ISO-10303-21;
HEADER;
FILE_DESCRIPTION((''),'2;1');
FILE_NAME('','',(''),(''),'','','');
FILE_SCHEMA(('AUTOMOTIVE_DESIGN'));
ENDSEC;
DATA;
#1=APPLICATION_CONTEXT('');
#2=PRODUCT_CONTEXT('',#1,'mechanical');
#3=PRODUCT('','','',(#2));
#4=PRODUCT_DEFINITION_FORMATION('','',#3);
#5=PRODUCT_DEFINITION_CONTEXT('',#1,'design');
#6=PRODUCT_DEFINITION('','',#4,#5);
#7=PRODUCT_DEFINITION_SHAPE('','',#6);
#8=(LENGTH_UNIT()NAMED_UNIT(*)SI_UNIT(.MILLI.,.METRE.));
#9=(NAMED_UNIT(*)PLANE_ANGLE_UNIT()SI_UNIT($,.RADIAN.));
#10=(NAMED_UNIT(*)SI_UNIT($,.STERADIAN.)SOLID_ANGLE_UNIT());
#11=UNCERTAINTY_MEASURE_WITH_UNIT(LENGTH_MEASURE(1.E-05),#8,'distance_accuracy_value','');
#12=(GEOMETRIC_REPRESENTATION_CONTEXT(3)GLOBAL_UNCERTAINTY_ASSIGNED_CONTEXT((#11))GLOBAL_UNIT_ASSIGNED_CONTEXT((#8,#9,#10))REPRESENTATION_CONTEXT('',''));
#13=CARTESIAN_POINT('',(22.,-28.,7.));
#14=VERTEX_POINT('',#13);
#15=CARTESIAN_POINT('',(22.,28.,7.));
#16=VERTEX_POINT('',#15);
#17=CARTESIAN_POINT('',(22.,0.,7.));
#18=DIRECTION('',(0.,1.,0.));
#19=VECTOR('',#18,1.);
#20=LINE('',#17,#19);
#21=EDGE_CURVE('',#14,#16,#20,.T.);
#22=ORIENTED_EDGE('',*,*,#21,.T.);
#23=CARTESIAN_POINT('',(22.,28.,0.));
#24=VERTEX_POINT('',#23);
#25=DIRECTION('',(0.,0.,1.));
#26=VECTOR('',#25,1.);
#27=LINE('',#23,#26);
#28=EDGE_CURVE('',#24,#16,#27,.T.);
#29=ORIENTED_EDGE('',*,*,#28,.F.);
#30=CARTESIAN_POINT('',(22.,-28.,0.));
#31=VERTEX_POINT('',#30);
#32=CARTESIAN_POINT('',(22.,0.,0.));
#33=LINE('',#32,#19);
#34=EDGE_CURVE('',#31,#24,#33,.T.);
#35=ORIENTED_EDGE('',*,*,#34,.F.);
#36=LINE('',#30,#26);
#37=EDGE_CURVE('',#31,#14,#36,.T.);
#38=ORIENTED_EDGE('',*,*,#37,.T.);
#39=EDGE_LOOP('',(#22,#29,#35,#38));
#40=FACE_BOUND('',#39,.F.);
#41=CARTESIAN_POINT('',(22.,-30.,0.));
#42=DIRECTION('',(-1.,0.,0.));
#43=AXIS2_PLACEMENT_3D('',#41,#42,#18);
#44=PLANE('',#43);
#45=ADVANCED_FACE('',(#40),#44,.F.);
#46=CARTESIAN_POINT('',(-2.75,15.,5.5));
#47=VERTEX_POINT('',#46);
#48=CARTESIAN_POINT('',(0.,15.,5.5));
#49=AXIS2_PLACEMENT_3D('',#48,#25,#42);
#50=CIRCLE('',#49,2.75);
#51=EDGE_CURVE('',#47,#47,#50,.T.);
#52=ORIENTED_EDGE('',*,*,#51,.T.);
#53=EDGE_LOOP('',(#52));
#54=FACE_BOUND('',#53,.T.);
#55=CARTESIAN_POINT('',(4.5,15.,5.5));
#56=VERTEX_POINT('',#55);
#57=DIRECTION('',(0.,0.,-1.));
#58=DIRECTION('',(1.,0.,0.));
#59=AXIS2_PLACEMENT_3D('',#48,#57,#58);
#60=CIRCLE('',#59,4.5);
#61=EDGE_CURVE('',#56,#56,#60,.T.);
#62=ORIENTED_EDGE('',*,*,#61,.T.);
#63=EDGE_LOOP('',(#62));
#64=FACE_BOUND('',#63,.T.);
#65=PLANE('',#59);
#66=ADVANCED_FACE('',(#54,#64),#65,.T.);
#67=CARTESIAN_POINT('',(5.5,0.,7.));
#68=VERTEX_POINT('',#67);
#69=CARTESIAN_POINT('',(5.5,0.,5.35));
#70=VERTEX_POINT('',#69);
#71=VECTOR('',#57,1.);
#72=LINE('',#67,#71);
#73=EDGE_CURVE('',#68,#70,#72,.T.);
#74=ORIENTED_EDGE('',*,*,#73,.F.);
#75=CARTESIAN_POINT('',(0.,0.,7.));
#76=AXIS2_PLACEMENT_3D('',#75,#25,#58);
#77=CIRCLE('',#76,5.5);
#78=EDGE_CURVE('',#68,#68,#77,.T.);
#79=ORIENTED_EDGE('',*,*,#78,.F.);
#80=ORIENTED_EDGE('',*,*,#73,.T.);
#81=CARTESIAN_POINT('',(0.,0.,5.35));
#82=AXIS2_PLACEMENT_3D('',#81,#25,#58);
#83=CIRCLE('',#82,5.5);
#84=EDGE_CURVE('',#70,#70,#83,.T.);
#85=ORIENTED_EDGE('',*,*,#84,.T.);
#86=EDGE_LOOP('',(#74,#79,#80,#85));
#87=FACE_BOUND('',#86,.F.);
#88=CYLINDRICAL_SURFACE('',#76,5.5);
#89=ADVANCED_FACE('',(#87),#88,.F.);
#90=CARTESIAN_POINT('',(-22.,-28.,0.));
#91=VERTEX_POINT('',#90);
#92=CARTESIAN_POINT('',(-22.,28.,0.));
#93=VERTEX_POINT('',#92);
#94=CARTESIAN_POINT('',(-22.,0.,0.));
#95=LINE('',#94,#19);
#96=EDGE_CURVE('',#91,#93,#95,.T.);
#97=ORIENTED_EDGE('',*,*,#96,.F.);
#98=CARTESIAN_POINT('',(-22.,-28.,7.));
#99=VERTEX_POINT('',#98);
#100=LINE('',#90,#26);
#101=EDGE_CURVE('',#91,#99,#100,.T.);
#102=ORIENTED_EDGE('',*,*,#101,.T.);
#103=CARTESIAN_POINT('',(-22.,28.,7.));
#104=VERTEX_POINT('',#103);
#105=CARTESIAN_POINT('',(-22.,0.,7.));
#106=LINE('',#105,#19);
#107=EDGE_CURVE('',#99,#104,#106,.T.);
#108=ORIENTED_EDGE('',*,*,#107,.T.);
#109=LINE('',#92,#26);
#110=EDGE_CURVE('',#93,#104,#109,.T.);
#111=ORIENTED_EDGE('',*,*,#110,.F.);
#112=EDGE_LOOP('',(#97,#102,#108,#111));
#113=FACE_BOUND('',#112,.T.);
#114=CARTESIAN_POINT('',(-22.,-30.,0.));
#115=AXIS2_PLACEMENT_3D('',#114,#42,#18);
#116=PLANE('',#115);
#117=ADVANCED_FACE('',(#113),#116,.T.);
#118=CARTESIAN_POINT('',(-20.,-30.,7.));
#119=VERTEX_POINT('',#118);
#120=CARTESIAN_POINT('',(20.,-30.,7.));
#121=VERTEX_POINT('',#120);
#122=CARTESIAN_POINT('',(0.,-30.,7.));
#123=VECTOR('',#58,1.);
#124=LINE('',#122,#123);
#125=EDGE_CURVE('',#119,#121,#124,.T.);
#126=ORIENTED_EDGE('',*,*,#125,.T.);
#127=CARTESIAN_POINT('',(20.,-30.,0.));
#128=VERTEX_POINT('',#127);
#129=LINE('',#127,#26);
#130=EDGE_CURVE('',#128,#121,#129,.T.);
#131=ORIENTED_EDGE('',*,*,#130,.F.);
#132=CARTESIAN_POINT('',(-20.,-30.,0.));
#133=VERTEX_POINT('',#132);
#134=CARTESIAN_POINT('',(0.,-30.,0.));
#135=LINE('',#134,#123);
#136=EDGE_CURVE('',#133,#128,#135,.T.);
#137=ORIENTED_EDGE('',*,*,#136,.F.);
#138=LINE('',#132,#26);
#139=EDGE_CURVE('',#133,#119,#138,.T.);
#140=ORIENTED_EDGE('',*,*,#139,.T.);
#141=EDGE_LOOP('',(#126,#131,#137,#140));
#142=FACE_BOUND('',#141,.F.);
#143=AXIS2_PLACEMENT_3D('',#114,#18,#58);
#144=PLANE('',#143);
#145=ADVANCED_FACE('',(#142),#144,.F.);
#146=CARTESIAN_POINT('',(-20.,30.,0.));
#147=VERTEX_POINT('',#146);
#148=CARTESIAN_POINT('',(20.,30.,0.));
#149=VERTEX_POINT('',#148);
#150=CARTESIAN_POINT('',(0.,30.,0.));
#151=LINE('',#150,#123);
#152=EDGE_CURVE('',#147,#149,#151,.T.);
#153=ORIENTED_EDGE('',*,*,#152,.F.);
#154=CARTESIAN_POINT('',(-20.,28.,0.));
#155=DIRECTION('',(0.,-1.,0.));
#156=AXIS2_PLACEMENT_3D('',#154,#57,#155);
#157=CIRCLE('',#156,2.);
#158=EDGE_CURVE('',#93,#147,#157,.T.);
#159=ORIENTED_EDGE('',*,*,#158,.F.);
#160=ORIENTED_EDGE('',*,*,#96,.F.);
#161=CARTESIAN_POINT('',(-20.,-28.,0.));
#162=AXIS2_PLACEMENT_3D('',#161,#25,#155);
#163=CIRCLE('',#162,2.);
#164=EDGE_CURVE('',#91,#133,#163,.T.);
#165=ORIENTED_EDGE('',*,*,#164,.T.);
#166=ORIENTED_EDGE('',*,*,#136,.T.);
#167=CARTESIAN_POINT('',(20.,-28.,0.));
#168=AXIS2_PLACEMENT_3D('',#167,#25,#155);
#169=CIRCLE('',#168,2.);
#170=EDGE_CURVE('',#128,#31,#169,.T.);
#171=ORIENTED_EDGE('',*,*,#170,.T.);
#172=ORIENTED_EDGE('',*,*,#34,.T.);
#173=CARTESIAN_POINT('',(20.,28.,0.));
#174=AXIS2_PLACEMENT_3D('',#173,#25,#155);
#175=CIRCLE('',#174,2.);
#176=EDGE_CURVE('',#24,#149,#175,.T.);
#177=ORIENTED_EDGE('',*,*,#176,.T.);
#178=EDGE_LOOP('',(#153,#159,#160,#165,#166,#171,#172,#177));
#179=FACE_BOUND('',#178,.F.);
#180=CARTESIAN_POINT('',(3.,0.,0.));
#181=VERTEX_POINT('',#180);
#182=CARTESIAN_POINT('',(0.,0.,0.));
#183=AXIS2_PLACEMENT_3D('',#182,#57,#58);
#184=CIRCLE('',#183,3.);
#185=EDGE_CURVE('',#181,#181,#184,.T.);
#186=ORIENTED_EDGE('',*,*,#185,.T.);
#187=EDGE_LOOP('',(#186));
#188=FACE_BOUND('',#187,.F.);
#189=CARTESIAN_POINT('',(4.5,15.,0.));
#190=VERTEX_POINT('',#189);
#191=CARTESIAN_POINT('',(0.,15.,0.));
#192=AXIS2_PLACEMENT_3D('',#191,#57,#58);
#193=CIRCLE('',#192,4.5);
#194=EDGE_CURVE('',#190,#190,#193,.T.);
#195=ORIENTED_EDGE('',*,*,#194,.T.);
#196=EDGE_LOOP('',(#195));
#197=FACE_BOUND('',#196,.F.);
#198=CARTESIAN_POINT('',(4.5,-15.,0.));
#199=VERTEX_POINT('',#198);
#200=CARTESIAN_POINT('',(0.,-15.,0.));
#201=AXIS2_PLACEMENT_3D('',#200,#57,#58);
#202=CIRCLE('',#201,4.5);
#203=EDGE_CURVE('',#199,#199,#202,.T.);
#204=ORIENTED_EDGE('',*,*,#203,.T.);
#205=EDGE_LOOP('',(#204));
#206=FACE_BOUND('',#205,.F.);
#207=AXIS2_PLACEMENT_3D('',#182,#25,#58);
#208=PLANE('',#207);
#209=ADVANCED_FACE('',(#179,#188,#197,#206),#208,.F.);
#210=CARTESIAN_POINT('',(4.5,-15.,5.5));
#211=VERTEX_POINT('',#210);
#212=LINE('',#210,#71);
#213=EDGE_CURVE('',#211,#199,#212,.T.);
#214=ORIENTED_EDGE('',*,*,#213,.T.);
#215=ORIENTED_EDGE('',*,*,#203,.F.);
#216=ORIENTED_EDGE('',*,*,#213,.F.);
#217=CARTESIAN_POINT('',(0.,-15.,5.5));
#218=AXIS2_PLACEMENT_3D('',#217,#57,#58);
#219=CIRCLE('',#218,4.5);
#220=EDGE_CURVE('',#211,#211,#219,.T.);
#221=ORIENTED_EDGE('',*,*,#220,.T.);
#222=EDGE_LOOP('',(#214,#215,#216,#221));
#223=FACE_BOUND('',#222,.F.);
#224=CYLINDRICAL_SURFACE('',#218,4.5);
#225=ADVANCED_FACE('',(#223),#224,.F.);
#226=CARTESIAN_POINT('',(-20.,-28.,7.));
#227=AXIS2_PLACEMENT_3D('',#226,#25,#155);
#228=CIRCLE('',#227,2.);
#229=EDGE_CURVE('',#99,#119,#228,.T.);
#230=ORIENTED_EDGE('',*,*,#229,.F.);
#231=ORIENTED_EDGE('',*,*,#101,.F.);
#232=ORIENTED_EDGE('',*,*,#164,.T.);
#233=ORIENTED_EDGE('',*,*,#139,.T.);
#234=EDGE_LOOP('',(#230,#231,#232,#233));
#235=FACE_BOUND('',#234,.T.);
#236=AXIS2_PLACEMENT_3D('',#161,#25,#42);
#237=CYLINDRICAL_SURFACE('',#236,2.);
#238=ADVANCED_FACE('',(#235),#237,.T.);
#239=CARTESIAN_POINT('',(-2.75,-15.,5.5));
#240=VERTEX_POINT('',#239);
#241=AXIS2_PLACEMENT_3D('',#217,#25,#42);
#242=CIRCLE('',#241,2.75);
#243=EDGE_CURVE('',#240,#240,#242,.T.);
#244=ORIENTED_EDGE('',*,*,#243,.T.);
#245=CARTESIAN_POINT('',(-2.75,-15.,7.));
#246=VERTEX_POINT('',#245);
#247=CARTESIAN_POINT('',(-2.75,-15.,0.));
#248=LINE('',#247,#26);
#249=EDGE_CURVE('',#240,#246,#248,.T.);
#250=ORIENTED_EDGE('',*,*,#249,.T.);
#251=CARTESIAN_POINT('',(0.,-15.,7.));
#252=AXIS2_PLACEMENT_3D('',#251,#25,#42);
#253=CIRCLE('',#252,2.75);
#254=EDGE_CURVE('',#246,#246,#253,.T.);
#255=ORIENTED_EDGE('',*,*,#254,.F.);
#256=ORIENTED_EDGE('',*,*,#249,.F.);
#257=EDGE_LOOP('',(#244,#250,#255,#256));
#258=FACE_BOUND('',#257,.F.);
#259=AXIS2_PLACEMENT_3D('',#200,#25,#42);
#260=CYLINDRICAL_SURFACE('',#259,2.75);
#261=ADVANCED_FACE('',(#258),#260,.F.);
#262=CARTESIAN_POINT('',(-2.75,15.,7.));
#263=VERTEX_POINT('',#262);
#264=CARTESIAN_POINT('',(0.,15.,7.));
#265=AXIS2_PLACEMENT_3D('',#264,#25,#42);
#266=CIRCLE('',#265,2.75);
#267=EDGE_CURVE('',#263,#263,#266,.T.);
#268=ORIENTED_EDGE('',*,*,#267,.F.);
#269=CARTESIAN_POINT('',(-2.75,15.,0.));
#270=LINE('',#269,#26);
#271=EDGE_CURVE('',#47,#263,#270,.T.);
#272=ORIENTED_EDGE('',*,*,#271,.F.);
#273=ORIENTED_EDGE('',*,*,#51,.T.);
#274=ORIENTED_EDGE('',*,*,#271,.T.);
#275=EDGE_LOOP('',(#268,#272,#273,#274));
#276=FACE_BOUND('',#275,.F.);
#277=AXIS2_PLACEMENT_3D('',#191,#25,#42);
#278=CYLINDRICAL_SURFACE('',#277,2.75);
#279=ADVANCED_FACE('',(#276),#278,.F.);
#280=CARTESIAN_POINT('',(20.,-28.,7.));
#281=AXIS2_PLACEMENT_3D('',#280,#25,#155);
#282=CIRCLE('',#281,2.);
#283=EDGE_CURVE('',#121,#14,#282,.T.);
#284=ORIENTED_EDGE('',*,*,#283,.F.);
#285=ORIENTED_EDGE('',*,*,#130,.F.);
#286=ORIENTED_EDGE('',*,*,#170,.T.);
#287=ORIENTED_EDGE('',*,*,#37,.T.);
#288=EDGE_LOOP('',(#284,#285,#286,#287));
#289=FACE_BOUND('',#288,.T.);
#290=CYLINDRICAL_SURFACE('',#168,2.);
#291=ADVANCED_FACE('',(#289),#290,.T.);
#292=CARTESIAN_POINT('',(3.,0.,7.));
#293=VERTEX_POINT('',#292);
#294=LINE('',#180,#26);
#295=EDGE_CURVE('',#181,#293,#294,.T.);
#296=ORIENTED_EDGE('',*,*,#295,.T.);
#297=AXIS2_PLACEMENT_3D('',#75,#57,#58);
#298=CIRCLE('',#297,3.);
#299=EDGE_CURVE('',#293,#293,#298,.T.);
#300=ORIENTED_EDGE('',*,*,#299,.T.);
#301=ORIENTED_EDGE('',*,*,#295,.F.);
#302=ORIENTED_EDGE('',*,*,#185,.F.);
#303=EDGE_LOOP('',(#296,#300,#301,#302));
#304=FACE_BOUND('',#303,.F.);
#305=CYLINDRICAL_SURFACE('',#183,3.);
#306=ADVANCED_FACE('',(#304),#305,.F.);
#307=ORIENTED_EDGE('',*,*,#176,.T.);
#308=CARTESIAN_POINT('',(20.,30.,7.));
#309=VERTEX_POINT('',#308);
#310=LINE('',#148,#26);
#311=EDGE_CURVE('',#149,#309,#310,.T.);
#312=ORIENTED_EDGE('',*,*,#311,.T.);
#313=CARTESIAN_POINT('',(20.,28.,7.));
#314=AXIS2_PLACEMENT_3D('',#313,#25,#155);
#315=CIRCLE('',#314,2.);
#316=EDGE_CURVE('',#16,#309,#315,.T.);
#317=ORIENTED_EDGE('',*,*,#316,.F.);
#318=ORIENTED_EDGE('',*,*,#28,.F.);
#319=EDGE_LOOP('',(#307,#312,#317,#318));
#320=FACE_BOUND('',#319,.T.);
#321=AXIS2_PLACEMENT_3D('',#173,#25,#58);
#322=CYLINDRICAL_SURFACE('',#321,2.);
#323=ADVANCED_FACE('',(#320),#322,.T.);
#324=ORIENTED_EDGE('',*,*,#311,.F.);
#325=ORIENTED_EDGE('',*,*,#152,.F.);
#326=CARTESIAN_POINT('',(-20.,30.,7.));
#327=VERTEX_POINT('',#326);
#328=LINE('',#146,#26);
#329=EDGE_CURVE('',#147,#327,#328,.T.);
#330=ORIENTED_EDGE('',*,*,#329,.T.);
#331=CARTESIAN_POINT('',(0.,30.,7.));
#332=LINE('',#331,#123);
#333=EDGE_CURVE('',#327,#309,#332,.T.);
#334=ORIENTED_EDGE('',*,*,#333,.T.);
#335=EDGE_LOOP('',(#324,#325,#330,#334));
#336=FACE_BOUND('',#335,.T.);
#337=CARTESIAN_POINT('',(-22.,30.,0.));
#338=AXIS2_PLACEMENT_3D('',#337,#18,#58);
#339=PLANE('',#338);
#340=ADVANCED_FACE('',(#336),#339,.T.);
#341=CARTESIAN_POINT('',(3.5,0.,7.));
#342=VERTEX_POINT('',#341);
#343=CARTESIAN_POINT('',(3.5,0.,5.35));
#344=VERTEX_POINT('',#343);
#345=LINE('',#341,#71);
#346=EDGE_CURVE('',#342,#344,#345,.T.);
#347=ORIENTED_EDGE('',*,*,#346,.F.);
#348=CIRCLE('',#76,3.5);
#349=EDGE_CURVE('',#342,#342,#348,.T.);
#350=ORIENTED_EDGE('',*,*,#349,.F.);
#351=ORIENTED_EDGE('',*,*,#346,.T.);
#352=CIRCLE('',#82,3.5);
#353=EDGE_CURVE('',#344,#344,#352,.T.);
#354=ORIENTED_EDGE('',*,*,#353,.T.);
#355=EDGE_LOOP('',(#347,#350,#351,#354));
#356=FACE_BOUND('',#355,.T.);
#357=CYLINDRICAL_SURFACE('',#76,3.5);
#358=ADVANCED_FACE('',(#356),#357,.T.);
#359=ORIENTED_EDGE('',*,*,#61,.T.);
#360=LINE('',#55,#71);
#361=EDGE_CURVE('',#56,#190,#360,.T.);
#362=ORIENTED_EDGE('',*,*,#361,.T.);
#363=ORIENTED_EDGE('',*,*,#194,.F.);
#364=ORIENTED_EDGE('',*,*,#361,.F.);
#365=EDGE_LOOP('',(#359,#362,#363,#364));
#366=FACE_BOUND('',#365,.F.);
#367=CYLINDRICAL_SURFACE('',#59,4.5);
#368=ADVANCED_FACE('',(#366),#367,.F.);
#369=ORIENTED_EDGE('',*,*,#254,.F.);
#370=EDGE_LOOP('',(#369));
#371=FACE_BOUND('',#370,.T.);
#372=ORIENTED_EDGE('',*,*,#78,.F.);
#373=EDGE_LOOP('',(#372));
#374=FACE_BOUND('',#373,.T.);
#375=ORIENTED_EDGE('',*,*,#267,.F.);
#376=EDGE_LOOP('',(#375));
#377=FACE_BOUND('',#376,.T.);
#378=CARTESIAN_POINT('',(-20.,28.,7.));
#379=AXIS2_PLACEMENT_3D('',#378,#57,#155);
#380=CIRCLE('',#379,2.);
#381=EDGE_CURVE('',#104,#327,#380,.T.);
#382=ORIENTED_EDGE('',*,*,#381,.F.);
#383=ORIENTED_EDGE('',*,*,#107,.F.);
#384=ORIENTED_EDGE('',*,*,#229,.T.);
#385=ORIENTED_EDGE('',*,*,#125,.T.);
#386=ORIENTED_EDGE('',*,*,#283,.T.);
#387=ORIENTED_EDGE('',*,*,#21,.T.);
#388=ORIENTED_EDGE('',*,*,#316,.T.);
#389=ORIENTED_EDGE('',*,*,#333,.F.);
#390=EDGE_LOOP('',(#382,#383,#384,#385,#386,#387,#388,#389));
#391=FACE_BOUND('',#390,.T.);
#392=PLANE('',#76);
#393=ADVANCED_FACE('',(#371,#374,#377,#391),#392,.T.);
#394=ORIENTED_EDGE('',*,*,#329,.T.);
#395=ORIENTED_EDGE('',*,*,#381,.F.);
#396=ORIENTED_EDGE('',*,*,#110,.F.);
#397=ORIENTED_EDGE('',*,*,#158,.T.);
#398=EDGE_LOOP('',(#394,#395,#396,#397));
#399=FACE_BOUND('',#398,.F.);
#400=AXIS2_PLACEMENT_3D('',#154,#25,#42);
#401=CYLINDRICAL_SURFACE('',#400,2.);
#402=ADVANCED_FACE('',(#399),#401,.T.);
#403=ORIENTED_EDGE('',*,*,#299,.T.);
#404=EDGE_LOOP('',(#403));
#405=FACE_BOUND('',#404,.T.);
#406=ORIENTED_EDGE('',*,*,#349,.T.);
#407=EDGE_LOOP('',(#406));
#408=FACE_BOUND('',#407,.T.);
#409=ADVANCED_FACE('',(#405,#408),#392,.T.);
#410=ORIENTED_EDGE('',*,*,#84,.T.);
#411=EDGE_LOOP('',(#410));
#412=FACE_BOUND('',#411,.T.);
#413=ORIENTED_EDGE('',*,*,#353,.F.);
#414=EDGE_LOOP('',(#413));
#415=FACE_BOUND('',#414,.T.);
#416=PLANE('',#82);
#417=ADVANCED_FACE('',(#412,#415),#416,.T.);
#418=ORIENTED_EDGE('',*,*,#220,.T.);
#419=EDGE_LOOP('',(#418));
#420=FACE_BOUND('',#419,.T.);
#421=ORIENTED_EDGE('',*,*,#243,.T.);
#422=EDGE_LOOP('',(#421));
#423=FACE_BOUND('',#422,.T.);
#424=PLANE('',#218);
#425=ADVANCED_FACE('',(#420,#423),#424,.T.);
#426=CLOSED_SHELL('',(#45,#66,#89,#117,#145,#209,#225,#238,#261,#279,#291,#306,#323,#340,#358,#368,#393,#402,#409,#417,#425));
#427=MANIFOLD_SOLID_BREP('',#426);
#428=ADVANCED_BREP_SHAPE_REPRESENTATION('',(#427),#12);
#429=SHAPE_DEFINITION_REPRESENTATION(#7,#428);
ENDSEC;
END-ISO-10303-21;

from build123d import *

# Parameters (mm, degrees)
F0_W           = 44
F0_H           = 60
F1_DEPTH       = 7
F2_R           = 2
F3_R           = 3
F4_DEPTH       = 7.001
F5_D           = 5.5
F5_CBORE_D     = 9
F5_CBORE_DEPTH = 5.5
F6_R           = 5.5
F6_R_2         = 3.5
F7_DEPTH       = 1.65


with BuildPart() as f1:
    # F0 (on Top) → F1 (new body)
    with BuildSketch(Plane.XY):
        Rectangle(F0_W, F0_H)
    extrude(amount=F1_DEPTH)

    # F2
    f2_edges = [f1.edges().sort_by_distance(p)[0] for p in [
        (-22, -30, 3.5),
        (22, -30, 3.5),
        (22, 30, 3.5),
        (-22, 30, 3.5),
    ]]
    fillet(f2_edges, radius=F2_R)

    # F3 (on face) → F4 (cut, through all)
    with BuildSketch(Plane(origin=(0, 0, 0), x_dir=(1, 0, 0), z_dir=(0, 0, -1))):
        Circle(F3_R)
    extrude(amount=-F4_DEPTH, mode=Mode.SUBTRACT)

    # F5 (through all)
    with Locations(Plane(origin=(0, 0, 0), x_dir=(1, 0, 0), z_dir=(0, 0, -1))):
        with Locations((0, -15), (0, 15)):
            CounterBoreHole(F5_D / 2, F5_CBORE_D / 2, F5_CBORE_DEPTH)

    # F6 (on face) → F7 (cut)
    with BuildSketch(Plane.XY.offset(7)):
        Circle(F6_R)
        Circle(F6_R_2, mode=Mode.SUBTRACT)
    extrude(amount=-F7_DEPTH, mode=Mode.SUBTRACT)


solid = f1.part
